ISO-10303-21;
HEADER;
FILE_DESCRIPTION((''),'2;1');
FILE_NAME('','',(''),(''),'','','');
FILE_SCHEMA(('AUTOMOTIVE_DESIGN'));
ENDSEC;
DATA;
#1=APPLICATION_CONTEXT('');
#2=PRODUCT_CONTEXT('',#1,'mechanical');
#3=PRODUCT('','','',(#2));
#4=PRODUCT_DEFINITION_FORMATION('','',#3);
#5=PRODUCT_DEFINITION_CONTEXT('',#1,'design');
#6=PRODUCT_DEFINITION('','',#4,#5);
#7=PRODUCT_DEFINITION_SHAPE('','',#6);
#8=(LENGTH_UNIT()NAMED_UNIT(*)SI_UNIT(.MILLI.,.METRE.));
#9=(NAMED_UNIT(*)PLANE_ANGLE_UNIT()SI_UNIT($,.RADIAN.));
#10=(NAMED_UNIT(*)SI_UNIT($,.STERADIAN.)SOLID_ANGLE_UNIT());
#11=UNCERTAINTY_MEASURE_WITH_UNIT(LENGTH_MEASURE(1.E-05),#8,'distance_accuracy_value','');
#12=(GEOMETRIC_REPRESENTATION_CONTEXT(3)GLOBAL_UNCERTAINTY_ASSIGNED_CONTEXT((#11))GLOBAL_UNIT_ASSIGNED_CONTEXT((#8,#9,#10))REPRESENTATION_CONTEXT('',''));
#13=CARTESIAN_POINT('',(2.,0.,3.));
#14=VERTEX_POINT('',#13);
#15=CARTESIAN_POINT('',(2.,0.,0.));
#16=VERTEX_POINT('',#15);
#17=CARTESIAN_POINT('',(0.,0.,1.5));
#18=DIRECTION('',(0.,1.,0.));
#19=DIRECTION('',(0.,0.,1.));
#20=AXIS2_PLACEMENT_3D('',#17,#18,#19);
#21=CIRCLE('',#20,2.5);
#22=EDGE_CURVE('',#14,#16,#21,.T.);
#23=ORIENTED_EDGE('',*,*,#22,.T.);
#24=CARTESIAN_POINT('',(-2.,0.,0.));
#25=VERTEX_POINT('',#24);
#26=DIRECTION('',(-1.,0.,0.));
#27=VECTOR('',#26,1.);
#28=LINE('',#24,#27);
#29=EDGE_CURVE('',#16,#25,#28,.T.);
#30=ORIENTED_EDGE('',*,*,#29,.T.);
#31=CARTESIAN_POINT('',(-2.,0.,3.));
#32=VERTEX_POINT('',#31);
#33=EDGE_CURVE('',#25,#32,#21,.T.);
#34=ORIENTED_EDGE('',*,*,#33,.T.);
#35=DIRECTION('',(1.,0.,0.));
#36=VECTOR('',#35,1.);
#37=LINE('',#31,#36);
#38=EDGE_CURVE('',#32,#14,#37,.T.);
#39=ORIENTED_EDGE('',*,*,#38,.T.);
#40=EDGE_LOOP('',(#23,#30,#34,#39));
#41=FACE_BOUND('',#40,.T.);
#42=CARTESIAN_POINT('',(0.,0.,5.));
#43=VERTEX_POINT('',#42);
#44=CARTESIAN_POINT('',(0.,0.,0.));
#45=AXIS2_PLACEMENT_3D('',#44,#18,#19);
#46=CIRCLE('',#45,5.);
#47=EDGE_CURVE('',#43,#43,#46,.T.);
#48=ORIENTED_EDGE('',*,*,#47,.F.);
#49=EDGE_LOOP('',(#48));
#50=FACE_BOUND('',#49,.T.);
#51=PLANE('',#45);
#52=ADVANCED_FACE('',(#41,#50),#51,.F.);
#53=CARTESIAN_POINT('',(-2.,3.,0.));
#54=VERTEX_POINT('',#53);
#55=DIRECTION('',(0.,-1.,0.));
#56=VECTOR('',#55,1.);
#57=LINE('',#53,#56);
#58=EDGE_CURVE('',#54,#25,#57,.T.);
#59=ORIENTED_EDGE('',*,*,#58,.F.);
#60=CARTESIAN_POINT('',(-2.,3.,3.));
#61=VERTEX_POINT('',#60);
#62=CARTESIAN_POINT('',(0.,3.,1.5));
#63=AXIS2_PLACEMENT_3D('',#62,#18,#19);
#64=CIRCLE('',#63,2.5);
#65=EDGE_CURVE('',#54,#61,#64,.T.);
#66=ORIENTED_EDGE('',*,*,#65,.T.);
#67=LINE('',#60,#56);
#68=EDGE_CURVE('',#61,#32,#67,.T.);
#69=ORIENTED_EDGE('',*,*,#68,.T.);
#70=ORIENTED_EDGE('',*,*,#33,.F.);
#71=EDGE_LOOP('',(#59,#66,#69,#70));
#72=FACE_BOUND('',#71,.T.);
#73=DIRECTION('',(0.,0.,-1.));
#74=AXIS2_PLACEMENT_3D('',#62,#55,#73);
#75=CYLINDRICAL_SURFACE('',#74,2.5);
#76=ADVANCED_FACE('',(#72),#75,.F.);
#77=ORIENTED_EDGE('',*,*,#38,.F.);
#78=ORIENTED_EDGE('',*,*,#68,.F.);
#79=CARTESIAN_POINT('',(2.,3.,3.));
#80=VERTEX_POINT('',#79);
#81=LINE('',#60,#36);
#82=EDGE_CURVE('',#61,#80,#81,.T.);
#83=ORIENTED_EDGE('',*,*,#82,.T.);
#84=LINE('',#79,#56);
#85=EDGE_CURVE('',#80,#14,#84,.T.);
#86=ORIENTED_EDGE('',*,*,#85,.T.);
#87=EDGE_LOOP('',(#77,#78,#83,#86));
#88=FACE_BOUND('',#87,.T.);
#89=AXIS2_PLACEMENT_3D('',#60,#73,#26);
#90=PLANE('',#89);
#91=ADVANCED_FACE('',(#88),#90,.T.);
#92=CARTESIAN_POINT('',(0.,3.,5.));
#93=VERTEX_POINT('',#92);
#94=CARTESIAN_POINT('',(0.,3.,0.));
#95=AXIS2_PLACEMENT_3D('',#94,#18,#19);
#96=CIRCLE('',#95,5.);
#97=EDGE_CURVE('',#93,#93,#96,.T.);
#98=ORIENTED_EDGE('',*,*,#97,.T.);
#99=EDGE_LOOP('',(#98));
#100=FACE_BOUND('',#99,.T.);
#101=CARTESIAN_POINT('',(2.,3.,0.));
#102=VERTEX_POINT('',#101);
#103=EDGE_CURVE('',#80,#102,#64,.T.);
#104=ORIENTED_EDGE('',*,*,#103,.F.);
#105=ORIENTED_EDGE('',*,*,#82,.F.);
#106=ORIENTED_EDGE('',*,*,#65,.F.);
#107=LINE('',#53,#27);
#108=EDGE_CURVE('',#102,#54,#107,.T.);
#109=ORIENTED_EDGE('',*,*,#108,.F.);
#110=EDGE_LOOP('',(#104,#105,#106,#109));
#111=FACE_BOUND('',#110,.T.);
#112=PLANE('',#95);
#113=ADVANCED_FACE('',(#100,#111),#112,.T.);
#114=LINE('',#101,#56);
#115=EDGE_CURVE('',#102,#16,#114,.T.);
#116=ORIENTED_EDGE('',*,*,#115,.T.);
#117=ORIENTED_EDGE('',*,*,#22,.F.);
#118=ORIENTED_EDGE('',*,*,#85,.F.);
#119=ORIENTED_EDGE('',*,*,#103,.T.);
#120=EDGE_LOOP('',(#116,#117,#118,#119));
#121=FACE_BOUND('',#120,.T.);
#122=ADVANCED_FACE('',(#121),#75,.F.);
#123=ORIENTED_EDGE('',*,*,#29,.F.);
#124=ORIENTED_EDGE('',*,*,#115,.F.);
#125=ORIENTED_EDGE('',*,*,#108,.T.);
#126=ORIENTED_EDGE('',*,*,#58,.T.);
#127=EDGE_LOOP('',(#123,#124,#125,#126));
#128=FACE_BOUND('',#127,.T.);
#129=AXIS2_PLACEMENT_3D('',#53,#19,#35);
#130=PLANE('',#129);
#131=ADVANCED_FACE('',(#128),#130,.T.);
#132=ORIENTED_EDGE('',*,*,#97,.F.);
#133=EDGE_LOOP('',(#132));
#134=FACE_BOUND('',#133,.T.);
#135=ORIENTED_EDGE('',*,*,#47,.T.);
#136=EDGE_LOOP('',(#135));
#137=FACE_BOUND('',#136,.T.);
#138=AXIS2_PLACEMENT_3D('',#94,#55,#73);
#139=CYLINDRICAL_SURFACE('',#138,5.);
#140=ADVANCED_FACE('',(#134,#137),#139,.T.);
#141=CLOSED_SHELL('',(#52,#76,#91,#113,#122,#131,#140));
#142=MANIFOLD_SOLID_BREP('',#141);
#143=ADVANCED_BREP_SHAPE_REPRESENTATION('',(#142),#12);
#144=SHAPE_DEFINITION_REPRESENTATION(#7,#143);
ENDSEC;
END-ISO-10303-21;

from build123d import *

# Parameters (mm, degrees)
SKETCH1_R           = 5
BOSS_EXTRUDE1_DEPTH = 3


with BuildPart() as part:
    # Sketch1 → Boss-Extrude1 (new body)
    with BuildSketch(Plane(origin=(0, 0, 0), x_dir=(1, 0, 0), z_dir=(0, 1, 0))):
        Circle(SKETCH1_R)
        with BuildLine():
            Line((-2, 0), (2, 0))
            ThreePointArc((2, 0), (2.5, -1.5), (2, -3))
            Line((2, -3), (-2, -3))
            ThreePointArc((-2, -3), (-2.5, -1.5), (-2, 0))
        make_face(mode=Mode.SUBTRACT)
    extrude(amount=BOSS_EXTRUDE1_DEPTH)


solid = part.part
